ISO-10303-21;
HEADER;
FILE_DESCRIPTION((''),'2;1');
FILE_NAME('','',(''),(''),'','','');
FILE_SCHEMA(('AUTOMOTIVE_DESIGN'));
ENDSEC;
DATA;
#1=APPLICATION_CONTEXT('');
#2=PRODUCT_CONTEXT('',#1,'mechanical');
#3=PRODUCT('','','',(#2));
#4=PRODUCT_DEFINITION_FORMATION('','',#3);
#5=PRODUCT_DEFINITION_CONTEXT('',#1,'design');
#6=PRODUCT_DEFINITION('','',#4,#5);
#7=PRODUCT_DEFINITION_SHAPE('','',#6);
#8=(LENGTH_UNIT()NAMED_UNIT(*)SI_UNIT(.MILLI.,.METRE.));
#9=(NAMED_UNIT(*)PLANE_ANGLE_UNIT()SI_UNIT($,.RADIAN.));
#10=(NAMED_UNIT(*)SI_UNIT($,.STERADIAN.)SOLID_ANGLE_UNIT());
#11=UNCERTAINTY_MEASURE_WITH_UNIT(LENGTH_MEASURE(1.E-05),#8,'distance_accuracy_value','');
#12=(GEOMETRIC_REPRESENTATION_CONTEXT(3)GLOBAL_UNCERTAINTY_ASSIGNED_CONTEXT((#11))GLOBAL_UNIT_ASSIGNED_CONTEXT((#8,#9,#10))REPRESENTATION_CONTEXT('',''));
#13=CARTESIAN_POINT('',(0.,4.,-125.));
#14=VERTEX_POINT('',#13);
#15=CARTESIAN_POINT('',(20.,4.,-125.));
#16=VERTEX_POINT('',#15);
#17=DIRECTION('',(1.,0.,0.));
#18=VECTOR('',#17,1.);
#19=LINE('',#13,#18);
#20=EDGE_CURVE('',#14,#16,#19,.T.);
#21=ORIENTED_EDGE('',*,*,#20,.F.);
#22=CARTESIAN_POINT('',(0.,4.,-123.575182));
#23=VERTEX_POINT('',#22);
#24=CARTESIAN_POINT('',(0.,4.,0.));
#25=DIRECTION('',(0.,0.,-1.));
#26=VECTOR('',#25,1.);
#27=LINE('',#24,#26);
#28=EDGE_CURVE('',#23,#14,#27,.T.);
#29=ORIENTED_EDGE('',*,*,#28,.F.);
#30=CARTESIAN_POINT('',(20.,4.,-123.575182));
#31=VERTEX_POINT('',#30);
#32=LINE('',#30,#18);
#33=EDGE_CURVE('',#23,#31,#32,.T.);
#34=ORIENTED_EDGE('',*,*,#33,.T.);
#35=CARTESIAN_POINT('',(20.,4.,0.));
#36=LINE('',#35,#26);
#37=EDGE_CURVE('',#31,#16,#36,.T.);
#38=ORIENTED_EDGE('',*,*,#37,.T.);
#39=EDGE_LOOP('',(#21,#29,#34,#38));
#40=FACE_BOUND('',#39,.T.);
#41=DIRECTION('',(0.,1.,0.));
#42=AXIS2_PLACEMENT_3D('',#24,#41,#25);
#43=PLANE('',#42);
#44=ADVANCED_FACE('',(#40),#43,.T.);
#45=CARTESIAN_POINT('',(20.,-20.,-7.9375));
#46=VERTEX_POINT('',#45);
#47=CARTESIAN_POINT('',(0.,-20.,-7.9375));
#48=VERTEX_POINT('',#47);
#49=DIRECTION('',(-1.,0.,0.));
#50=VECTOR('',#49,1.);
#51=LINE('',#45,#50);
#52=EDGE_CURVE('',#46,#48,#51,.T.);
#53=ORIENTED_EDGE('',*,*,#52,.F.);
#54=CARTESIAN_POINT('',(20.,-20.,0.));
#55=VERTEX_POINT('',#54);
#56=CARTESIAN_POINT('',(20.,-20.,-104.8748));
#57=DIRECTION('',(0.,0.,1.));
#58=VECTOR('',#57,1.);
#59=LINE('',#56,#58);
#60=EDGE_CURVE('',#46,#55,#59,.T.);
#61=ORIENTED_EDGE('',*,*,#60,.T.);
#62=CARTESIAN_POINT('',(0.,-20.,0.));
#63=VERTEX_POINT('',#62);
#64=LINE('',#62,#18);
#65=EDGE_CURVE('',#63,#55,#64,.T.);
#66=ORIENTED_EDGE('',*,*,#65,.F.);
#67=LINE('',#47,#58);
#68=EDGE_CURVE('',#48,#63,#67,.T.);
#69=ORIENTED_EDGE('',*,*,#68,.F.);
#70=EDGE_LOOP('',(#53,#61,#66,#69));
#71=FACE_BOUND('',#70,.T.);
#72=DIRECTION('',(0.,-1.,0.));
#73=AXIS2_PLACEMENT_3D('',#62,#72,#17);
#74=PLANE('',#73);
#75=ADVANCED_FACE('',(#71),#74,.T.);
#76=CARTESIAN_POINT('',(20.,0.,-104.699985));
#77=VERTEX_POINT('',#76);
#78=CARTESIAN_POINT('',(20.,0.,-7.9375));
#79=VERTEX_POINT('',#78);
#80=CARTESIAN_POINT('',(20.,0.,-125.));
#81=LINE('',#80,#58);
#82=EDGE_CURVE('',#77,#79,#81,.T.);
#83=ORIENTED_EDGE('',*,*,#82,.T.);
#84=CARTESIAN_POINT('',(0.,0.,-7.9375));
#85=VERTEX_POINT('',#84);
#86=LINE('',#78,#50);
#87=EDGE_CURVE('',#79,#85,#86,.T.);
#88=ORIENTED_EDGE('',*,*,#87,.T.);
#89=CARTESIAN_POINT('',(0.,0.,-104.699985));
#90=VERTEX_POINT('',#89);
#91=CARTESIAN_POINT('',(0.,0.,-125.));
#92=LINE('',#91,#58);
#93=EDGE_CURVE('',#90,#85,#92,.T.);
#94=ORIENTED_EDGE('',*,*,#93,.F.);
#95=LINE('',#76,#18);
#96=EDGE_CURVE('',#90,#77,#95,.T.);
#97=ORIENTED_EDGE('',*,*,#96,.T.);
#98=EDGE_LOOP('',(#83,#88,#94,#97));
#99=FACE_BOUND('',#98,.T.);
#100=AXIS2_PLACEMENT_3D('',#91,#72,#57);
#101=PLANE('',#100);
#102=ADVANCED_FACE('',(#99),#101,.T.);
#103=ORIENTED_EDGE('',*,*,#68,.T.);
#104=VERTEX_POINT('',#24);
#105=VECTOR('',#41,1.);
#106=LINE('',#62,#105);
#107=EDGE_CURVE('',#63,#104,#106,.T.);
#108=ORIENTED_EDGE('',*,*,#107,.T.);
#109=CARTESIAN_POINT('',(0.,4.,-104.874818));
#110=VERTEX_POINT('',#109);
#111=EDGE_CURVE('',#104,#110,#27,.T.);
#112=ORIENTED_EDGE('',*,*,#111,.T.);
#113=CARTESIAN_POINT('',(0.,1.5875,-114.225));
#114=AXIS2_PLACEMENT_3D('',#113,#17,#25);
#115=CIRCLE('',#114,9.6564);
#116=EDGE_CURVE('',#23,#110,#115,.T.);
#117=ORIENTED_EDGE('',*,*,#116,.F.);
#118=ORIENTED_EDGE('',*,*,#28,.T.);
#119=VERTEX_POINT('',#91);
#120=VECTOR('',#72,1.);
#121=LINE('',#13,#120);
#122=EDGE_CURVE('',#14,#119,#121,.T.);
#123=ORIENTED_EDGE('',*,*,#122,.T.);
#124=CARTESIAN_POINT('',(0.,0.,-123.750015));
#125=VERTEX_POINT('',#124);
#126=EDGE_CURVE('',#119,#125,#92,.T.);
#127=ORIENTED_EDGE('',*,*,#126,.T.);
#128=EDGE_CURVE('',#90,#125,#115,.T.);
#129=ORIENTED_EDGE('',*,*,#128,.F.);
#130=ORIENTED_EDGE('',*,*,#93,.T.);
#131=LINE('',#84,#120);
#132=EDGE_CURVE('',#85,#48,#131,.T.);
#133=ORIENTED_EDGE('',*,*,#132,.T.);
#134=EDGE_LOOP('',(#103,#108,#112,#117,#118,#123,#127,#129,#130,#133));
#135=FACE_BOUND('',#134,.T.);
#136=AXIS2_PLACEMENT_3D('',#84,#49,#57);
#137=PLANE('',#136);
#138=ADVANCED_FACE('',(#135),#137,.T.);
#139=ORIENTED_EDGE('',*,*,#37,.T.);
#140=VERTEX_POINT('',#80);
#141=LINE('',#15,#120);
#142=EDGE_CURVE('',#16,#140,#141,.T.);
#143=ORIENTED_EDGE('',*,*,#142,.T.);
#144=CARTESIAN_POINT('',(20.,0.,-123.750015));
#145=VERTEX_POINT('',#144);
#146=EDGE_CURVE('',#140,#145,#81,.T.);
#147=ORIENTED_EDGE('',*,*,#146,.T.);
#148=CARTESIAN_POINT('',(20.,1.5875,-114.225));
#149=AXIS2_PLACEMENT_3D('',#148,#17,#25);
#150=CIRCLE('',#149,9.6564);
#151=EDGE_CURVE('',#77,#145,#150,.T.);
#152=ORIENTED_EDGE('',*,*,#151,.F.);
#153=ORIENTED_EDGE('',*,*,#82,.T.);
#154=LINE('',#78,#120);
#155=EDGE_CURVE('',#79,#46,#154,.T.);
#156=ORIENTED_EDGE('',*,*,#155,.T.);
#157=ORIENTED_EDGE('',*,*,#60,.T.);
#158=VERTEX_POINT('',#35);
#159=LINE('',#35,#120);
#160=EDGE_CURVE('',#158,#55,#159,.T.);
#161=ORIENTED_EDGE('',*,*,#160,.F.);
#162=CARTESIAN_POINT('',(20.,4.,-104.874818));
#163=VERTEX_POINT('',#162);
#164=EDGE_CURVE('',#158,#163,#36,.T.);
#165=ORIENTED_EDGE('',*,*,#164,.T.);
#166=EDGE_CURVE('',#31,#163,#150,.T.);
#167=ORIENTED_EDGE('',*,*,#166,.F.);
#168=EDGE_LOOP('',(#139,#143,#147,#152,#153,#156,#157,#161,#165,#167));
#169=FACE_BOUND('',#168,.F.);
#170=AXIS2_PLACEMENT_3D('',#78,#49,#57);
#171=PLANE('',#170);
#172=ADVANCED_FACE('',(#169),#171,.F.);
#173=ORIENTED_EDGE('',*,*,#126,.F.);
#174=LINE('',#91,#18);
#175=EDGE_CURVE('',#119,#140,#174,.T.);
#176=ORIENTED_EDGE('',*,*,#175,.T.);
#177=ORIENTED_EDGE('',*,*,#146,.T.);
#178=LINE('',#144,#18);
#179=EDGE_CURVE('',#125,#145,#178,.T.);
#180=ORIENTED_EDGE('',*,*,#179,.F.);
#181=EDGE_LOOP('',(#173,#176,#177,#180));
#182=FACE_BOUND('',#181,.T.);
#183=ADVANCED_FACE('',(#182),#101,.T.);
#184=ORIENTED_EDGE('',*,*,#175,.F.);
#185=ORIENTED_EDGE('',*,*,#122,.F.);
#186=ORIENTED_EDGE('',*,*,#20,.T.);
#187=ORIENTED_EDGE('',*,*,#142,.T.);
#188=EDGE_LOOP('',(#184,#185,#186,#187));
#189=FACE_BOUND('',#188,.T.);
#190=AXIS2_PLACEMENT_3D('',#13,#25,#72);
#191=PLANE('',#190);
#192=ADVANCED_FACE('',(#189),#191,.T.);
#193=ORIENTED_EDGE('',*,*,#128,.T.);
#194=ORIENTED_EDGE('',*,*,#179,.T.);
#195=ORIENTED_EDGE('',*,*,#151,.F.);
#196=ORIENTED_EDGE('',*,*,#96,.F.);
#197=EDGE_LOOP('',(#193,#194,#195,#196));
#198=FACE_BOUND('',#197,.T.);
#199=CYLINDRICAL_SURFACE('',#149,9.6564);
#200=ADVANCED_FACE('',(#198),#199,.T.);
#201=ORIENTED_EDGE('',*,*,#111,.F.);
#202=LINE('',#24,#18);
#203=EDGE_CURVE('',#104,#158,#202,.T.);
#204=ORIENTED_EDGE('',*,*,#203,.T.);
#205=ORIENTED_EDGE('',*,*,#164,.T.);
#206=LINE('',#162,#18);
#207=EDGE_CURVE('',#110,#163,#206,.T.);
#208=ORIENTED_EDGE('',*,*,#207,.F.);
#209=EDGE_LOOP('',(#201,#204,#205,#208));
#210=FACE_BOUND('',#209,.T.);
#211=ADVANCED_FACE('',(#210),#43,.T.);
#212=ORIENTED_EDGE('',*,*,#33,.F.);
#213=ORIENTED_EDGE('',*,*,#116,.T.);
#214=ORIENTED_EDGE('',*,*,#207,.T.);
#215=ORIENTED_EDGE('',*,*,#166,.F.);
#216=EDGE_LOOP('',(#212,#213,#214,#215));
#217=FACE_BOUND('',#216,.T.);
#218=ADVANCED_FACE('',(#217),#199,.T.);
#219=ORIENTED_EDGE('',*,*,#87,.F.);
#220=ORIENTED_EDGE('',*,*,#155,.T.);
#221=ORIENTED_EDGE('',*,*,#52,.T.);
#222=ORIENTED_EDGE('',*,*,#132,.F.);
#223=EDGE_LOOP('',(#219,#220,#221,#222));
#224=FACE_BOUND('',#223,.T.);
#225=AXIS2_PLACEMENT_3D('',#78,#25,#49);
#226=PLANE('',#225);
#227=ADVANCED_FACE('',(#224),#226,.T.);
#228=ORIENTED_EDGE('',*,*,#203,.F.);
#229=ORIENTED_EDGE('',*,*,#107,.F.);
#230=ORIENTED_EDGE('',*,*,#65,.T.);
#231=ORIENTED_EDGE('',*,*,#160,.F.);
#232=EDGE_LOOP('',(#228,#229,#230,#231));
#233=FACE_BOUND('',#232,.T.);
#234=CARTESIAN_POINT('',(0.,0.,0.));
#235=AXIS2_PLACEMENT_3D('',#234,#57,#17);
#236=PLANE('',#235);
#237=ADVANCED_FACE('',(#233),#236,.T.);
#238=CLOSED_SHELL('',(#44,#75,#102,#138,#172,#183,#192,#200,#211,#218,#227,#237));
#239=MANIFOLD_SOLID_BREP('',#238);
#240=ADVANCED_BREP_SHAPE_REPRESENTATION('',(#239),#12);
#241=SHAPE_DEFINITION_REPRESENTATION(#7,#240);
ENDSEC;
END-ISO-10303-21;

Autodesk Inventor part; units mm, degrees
ref_plane "YZ Plane" through (0, 0, 0) normal (1, 0, 0) x (0, 1, 0)
ref_plane "XZ Plane" through (0, 0, 0) normal (0, 1, 0) x (-1, 0, 0)
ref_plane "XY Plane" through (0, 0, 0) normal (0, 0, 1) x (1, 0, 0)
sketch "Эскиз1" plane through (0, 0, 0) normal (1, 0, 0) x (0, 1, 0)
  line L0 (0, 0) -> (4, 0)
  line L1 (4, 0) -> (4, -125)
  line L2 (4, -125) -> (0, -125)
  line L3 (0, -125) -> (0, 0)
  dimension "d0" = 4
  dimension "d1" = 125
extrude "Выдавливание1" add sketch "Эскиз1" along normal blind 20
sketch "Эскиз3" plane through (20, 0, 0) normal (1, 0, 0) x (0, 0, -1)
  circle A0 centre (114.225, 1.5875) radius 9.6564
  line L0 (125, 0) -> (125, 4) projected
  point P0 (0, 0)
  dimension "d8" = 10.775
extrude "Выдавливание3" add sketch "Эскиз3" against normal blind 20
sketch "Эскиз5" plane through (0, 0, 0) normal (0, -1, 0) x (1, 0, 0)
  line L0 (20, -104.8748) -> (20, 0) projected
  line L1 (0, 0) -> (20, 0)
  line L2 (20, 0) -> (20, -7.9375)
  line L3 (20, -7.9375) -> (0, -7.9375)
  line L4 (0, -7.9375) -> (0, 0)
extrude "Выдавливание5" add sketch "Эскиз5" along normal blind 20
properties part number "ПАЛЬЧИК"
